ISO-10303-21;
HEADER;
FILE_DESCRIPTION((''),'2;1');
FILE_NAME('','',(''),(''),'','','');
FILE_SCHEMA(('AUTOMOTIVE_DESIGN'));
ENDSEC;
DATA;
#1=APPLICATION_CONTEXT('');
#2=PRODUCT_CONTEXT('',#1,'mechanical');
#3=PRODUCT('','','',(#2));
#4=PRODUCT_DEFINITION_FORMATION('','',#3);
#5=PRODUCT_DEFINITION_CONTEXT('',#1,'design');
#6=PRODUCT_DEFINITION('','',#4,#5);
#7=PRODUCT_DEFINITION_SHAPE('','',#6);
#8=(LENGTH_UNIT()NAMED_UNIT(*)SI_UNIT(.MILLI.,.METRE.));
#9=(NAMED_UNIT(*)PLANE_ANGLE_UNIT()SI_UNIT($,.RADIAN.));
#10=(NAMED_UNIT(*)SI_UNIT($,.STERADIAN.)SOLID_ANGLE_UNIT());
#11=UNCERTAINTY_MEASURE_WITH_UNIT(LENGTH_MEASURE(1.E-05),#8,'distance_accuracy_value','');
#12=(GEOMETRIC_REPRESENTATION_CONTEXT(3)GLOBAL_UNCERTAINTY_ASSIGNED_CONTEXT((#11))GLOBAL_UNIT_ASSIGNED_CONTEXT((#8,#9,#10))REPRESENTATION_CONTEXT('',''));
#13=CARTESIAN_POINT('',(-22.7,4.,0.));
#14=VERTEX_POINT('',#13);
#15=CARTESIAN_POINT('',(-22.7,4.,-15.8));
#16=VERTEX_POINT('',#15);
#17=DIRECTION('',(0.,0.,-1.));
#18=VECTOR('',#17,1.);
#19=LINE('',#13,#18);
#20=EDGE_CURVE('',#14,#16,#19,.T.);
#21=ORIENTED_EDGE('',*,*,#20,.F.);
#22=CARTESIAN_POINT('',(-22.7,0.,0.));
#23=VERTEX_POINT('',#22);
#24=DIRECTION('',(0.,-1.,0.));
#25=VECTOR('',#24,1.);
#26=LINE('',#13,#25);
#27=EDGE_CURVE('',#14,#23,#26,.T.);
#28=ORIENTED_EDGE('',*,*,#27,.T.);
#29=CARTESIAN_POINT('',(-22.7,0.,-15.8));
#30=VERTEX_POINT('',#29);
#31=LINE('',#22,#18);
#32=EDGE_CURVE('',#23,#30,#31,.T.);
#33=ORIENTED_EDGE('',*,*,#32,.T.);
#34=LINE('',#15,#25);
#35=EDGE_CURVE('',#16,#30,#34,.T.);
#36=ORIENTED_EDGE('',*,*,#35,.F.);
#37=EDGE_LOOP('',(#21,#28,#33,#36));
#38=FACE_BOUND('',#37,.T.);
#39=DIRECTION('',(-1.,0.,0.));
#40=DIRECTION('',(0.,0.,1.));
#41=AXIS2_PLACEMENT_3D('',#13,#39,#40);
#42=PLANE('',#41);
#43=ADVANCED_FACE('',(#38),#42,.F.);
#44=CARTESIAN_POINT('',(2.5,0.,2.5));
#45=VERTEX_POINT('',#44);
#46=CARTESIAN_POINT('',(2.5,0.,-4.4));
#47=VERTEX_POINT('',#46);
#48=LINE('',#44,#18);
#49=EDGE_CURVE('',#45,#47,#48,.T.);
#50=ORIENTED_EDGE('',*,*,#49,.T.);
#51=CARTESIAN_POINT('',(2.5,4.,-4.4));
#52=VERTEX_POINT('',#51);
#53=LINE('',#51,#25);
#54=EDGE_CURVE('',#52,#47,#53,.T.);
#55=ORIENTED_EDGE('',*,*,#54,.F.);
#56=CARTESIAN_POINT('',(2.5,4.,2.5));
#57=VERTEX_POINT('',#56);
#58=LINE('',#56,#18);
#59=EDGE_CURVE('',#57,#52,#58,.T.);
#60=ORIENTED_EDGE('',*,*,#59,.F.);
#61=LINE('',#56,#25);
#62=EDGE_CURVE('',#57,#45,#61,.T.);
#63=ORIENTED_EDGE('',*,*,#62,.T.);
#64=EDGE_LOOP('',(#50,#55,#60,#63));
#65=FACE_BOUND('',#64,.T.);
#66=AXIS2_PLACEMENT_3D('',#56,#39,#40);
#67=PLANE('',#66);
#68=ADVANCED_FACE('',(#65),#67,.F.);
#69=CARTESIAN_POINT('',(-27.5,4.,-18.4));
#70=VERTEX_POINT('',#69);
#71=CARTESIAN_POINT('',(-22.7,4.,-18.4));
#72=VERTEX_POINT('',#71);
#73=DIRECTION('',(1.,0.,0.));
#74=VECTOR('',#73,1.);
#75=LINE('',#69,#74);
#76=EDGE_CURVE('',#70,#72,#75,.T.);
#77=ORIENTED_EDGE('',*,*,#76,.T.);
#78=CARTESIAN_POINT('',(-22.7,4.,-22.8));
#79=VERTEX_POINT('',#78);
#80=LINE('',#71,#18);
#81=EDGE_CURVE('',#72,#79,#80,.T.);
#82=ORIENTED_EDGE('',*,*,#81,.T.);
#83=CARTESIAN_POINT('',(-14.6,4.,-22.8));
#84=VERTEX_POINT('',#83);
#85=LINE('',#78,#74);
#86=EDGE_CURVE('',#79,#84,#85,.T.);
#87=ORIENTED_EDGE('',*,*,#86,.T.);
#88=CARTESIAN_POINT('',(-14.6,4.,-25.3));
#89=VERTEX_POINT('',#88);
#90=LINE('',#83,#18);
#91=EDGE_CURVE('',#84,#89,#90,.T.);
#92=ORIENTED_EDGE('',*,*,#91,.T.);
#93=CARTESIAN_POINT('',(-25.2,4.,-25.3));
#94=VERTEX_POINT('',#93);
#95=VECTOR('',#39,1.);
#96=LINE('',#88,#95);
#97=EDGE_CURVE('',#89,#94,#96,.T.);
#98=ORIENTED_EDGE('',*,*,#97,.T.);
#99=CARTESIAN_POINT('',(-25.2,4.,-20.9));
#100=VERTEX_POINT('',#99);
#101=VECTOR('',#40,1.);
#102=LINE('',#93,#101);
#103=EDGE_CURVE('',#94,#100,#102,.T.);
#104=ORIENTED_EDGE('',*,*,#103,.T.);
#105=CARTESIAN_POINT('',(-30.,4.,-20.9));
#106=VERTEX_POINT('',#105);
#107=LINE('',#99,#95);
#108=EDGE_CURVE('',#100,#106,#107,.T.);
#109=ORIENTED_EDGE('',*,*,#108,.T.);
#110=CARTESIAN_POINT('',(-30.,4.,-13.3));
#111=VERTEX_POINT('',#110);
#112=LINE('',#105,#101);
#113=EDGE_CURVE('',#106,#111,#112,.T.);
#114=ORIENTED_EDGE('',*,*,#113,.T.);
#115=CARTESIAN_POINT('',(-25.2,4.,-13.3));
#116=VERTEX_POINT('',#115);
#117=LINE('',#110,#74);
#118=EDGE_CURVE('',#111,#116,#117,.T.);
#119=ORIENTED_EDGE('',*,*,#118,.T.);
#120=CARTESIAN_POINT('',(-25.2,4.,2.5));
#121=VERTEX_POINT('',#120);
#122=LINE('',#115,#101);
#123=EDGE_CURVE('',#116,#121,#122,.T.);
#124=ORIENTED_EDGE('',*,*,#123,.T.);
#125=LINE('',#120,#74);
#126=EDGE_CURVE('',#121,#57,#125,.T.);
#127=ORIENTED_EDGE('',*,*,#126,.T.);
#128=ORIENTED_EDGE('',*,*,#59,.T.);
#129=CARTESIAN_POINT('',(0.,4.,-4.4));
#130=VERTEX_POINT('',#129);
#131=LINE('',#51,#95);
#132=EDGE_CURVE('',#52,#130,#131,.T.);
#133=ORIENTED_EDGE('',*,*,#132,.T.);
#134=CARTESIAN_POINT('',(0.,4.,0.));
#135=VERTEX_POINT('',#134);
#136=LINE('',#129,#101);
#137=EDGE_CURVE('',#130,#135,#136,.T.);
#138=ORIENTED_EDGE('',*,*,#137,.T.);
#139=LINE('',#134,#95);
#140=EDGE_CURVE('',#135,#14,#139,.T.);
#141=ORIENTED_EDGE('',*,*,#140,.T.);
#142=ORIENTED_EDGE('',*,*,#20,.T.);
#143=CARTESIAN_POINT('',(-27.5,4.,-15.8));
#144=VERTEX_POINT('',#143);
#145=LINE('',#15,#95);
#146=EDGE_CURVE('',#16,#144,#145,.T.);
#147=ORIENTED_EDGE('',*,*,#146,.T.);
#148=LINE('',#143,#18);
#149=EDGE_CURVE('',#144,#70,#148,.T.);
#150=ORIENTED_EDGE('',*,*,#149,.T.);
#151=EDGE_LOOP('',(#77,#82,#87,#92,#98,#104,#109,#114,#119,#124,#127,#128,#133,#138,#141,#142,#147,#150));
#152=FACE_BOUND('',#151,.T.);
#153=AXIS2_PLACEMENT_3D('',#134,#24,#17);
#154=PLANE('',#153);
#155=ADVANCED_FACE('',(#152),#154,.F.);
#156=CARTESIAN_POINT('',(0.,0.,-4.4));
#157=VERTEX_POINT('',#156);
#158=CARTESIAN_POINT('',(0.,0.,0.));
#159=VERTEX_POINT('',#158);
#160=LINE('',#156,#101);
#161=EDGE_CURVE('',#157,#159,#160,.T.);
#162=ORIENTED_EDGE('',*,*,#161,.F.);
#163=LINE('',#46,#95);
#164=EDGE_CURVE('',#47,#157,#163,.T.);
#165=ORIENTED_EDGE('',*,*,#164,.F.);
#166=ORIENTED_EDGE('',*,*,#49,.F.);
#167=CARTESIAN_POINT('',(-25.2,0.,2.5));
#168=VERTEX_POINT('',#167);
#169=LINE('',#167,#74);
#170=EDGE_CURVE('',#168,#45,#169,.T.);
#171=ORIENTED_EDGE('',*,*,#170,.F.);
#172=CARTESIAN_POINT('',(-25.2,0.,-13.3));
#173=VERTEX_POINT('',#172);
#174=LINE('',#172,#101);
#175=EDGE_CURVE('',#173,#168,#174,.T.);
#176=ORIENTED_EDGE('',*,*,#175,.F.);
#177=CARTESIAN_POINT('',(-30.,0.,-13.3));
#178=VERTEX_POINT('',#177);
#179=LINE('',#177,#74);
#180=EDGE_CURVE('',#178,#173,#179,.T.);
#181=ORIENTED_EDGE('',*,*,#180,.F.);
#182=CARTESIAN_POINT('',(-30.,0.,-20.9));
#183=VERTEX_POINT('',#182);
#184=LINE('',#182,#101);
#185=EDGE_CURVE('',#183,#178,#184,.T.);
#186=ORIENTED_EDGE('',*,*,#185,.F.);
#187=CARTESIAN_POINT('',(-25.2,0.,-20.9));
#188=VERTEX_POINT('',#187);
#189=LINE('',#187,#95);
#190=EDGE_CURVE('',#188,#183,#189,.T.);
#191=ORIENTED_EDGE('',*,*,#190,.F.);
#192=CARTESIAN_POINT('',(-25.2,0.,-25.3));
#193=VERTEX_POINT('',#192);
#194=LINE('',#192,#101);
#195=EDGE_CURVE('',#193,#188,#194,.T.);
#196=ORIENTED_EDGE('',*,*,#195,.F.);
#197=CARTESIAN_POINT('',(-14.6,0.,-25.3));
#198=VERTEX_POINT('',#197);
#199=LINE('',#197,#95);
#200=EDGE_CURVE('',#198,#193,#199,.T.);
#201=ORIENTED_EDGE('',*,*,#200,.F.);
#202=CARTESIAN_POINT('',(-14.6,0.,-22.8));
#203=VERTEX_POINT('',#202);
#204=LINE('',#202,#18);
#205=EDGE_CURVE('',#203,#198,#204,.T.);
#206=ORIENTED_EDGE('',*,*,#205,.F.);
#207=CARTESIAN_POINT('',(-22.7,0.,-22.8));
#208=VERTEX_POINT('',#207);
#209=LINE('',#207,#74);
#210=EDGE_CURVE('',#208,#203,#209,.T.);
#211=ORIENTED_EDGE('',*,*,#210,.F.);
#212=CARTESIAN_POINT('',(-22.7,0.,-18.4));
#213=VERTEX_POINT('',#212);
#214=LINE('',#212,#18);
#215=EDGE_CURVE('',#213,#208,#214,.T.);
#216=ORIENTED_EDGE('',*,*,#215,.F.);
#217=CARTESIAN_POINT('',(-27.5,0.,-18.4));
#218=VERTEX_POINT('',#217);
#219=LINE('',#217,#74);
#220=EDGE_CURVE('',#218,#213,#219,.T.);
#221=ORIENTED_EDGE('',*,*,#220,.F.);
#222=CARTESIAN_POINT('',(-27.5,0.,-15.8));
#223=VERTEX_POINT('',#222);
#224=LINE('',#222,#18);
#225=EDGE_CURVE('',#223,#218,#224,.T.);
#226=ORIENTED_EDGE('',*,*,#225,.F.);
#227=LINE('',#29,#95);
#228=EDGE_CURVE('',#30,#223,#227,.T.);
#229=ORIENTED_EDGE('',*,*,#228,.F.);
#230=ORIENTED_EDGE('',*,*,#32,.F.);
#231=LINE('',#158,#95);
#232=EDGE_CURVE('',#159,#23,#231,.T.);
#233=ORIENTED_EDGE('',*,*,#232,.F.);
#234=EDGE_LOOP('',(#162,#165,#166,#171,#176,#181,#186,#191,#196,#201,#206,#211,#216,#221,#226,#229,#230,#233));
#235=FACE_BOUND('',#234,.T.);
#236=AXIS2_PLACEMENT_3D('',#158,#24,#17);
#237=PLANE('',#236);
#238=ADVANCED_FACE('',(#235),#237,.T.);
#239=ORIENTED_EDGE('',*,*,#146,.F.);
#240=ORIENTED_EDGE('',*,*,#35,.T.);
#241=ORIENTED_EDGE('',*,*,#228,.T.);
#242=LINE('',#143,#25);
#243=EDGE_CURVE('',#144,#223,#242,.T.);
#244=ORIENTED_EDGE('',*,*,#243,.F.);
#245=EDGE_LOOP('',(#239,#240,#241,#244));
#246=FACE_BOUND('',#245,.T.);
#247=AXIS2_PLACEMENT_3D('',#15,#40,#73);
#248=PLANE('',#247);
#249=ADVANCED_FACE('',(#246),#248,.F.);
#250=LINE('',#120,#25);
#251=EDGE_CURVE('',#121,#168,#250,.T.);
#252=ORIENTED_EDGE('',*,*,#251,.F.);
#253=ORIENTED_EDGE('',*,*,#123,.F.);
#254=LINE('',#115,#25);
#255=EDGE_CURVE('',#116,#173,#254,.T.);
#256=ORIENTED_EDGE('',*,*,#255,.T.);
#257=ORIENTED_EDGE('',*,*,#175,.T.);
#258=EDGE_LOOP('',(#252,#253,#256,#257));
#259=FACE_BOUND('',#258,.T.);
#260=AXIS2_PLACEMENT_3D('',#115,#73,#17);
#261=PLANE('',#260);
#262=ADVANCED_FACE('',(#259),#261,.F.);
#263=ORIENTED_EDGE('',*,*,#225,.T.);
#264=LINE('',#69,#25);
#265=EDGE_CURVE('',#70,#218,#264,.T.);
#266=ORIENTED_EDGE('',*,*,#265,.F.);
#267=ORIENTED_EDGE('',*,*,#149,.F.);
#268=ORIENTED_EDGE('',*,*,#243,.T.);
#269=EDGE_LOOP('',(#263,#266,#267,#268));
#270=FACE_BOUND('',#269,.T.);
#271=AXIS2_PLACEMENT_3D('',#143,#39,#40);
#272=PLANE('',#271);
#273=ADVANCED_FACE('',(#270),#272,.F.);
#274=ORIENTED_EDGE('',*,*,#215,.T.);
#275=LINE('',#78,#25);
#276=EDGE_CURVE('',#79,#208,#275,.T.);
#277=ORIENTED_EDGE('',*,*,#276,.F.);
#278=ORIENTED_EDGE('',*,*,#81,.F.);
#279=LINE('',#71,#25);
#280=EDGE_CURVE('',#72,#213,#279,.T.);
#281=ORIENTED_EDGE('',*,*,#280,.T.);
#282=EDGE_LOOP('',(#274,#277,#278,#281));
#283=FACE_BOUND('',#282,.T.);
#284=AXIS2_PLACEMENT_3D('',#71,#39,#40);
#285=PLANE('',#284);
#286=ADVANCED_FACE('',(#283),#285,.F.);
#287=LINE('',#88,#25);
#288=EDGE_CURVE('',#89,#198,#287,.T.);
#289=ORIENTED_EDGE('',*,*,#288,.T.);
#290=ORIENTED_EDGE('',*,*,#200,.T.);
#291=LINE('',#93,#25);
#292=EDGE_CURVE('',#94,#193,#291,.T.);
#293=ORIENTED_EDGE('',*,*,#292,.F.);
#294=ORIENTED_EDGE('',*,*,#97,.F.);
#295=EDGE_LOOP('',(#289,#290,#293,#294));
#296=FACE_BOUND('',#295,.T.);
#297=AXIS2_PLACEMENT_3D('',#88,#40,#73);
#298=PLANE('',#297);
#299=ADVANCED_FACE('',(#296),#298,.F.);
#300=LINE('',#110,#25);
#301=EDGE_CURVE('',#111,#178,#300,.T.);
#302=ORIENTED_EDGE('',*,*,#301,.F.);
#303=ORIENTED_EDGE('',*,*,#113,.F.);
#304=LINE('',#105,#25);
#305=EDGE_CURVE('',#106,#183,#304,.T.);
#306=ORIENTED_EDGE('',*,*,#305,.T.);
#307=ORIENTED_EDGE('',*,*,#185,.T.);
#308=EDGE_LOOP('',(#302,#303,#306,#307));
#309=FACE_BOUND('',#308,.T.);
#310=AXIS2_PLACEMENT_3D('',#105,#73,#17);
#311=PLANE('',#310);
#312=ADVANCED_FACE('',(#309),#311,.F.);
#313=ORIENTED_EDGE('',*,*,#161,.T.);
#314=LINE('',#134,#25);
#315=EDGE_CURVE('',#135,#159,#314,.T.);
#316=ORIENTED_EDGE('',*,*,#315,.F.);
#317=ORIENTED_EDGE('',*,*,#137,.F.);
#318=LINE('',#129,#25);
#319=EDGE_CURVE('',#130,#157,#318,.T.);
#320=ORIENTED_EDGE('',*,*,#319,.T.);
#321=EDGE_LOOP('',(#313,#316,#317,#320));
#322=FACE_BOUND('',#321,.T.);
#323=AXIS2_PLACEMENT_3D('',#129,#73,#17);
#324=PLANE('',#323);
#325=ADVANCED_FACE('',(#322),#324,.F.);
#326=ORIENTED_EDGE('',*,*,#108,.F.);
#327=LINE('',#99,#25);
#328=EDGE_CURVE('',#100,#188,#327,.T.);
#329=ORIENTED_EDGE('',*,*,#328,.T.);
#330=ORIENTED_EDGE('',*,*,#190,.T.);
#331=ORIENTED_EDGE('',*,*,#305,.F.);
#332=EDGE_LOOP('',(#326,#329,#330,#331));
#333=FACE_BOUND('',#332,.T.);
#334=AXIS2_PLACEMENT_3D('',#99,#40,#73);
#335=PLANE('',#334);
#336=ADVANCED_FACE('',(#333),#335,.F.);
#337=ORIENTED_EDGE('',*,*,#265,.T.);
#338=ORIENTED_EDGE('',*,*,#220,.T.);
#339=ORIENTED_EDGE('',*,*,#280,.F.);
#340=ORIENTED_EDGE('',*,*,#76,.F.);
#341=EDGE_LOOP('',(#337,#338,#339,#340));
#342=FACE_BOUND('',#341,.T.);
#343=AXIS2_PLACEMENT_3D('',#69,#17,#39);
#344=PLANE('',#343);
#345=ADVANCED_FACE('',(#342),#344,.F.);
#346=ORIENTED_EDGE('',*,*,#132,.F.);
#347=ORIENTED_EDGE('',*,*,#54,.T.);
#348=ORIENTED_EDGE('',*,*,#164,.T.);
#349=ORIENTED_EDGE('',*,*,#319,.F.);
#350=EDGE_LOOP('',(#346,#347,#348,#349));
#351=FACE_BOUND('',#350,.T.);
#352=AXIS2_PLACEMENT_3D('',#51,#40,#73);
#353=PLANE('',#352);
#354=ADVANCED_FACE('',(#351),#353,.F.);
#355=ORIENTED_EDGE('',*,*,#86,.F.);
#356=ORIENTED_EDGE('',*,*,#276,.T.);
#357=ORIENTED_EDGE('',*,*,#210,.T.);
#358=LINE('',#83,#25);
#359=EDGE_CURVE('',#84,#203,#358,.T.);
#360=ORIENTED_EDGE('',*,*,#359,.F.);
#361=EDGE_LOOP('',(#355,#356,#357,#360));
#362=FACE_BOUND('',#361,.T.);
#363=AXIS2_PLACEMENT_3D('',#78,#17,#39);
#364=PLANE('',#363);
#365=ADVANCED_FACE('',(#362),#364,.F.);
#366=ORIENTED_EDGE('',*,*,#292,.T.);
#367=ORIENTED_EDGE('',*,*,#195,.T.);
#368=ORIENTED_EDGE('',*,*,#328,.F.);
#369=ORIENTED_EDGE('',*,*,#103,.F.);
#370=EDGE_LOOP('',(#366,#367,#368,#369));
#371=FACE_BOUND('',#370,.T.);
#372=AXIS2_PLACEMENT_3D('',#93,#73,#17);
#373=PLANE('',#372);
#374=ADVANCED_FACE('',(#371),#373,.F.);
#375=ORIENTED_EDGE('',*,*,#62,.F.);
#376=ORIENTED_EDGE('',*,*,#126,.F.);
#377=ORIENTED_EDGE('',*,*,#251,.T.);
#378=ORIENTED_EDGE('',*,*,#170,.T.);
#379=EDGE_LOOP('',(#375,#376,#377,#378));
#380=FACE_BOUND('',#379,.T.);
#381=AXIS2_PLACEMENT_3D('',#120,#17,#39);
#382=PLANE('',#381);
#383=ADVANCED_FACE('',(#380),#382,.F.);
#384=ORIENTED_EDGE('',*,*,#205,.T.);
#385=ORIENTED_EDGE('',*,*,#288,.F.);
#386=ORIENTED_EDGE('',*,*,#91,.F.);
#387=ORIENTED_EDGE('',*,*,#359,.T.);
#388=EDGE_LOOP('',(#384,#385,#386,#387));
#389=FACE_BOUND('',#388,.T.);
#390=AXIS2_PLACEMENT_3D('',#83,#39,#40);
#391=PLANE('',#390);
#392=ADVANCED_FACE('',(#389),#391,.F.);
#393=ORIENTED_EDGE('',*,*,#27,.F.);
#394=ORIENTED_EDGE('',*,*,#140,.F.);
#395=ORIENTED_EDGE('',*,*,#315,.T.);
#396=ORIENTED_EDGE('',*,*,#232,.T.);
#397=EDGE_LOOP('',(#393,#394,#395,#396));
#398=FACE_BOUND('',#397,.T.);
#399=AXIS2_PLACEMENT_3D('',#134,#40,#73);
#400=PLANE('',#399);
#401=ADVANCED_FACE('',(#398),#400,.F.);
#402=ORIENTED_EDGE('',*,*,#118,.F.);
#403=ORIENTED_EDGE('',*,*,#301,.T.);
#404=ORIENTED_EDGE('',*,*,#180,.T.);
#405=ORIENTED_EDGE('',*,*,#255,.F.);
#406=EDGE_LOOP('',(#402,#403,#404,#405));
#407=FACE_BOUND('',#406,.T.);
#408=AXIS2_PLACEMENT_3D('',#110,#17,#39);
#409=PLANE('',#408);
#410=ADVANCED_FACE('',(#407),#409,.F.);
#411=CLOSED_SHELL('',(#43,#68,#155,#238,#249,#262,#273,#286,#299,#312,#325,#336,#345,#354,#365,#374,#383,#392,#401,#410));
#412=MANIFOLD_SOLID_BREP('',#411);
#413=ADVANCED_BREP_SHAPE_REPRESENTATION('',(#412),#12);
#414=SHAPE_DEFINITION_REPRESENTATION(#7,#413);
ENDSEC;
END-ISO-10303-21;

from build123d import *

# Parameters (mm, degrees)
BOSS_EXTRUDE1_DEPTH = 4


with BuildPart() as part:
    # Sketch1 → Boss-Extrude1 (new body)
    with BuildSketch(Plane(origin=(0, 0, 0), x_dir=(1, 0, 0), z_dir=(0, 1, 0))):
        Polygon((0, 0), (-22.7, 0), (-22.7, 15.8), (-27.5, 15.8), (-27.5, 18.4), (-22.7, 18.4), (-22.7, 22.8), (-14.6, 22.8), (-14.6, 25.3), (-25.2, 25.3), (-25.2, 20.9), (-30, 20.9), (-30, 13.3), (-25.2, 13.3), (-25.2, -2.5), (2.5, -2.5), (2.5, 4.4), (0, 4.4), align=None)
    extrude(amount=BOSS_EXTRUDE1_DEPTH)


solid = part.part
